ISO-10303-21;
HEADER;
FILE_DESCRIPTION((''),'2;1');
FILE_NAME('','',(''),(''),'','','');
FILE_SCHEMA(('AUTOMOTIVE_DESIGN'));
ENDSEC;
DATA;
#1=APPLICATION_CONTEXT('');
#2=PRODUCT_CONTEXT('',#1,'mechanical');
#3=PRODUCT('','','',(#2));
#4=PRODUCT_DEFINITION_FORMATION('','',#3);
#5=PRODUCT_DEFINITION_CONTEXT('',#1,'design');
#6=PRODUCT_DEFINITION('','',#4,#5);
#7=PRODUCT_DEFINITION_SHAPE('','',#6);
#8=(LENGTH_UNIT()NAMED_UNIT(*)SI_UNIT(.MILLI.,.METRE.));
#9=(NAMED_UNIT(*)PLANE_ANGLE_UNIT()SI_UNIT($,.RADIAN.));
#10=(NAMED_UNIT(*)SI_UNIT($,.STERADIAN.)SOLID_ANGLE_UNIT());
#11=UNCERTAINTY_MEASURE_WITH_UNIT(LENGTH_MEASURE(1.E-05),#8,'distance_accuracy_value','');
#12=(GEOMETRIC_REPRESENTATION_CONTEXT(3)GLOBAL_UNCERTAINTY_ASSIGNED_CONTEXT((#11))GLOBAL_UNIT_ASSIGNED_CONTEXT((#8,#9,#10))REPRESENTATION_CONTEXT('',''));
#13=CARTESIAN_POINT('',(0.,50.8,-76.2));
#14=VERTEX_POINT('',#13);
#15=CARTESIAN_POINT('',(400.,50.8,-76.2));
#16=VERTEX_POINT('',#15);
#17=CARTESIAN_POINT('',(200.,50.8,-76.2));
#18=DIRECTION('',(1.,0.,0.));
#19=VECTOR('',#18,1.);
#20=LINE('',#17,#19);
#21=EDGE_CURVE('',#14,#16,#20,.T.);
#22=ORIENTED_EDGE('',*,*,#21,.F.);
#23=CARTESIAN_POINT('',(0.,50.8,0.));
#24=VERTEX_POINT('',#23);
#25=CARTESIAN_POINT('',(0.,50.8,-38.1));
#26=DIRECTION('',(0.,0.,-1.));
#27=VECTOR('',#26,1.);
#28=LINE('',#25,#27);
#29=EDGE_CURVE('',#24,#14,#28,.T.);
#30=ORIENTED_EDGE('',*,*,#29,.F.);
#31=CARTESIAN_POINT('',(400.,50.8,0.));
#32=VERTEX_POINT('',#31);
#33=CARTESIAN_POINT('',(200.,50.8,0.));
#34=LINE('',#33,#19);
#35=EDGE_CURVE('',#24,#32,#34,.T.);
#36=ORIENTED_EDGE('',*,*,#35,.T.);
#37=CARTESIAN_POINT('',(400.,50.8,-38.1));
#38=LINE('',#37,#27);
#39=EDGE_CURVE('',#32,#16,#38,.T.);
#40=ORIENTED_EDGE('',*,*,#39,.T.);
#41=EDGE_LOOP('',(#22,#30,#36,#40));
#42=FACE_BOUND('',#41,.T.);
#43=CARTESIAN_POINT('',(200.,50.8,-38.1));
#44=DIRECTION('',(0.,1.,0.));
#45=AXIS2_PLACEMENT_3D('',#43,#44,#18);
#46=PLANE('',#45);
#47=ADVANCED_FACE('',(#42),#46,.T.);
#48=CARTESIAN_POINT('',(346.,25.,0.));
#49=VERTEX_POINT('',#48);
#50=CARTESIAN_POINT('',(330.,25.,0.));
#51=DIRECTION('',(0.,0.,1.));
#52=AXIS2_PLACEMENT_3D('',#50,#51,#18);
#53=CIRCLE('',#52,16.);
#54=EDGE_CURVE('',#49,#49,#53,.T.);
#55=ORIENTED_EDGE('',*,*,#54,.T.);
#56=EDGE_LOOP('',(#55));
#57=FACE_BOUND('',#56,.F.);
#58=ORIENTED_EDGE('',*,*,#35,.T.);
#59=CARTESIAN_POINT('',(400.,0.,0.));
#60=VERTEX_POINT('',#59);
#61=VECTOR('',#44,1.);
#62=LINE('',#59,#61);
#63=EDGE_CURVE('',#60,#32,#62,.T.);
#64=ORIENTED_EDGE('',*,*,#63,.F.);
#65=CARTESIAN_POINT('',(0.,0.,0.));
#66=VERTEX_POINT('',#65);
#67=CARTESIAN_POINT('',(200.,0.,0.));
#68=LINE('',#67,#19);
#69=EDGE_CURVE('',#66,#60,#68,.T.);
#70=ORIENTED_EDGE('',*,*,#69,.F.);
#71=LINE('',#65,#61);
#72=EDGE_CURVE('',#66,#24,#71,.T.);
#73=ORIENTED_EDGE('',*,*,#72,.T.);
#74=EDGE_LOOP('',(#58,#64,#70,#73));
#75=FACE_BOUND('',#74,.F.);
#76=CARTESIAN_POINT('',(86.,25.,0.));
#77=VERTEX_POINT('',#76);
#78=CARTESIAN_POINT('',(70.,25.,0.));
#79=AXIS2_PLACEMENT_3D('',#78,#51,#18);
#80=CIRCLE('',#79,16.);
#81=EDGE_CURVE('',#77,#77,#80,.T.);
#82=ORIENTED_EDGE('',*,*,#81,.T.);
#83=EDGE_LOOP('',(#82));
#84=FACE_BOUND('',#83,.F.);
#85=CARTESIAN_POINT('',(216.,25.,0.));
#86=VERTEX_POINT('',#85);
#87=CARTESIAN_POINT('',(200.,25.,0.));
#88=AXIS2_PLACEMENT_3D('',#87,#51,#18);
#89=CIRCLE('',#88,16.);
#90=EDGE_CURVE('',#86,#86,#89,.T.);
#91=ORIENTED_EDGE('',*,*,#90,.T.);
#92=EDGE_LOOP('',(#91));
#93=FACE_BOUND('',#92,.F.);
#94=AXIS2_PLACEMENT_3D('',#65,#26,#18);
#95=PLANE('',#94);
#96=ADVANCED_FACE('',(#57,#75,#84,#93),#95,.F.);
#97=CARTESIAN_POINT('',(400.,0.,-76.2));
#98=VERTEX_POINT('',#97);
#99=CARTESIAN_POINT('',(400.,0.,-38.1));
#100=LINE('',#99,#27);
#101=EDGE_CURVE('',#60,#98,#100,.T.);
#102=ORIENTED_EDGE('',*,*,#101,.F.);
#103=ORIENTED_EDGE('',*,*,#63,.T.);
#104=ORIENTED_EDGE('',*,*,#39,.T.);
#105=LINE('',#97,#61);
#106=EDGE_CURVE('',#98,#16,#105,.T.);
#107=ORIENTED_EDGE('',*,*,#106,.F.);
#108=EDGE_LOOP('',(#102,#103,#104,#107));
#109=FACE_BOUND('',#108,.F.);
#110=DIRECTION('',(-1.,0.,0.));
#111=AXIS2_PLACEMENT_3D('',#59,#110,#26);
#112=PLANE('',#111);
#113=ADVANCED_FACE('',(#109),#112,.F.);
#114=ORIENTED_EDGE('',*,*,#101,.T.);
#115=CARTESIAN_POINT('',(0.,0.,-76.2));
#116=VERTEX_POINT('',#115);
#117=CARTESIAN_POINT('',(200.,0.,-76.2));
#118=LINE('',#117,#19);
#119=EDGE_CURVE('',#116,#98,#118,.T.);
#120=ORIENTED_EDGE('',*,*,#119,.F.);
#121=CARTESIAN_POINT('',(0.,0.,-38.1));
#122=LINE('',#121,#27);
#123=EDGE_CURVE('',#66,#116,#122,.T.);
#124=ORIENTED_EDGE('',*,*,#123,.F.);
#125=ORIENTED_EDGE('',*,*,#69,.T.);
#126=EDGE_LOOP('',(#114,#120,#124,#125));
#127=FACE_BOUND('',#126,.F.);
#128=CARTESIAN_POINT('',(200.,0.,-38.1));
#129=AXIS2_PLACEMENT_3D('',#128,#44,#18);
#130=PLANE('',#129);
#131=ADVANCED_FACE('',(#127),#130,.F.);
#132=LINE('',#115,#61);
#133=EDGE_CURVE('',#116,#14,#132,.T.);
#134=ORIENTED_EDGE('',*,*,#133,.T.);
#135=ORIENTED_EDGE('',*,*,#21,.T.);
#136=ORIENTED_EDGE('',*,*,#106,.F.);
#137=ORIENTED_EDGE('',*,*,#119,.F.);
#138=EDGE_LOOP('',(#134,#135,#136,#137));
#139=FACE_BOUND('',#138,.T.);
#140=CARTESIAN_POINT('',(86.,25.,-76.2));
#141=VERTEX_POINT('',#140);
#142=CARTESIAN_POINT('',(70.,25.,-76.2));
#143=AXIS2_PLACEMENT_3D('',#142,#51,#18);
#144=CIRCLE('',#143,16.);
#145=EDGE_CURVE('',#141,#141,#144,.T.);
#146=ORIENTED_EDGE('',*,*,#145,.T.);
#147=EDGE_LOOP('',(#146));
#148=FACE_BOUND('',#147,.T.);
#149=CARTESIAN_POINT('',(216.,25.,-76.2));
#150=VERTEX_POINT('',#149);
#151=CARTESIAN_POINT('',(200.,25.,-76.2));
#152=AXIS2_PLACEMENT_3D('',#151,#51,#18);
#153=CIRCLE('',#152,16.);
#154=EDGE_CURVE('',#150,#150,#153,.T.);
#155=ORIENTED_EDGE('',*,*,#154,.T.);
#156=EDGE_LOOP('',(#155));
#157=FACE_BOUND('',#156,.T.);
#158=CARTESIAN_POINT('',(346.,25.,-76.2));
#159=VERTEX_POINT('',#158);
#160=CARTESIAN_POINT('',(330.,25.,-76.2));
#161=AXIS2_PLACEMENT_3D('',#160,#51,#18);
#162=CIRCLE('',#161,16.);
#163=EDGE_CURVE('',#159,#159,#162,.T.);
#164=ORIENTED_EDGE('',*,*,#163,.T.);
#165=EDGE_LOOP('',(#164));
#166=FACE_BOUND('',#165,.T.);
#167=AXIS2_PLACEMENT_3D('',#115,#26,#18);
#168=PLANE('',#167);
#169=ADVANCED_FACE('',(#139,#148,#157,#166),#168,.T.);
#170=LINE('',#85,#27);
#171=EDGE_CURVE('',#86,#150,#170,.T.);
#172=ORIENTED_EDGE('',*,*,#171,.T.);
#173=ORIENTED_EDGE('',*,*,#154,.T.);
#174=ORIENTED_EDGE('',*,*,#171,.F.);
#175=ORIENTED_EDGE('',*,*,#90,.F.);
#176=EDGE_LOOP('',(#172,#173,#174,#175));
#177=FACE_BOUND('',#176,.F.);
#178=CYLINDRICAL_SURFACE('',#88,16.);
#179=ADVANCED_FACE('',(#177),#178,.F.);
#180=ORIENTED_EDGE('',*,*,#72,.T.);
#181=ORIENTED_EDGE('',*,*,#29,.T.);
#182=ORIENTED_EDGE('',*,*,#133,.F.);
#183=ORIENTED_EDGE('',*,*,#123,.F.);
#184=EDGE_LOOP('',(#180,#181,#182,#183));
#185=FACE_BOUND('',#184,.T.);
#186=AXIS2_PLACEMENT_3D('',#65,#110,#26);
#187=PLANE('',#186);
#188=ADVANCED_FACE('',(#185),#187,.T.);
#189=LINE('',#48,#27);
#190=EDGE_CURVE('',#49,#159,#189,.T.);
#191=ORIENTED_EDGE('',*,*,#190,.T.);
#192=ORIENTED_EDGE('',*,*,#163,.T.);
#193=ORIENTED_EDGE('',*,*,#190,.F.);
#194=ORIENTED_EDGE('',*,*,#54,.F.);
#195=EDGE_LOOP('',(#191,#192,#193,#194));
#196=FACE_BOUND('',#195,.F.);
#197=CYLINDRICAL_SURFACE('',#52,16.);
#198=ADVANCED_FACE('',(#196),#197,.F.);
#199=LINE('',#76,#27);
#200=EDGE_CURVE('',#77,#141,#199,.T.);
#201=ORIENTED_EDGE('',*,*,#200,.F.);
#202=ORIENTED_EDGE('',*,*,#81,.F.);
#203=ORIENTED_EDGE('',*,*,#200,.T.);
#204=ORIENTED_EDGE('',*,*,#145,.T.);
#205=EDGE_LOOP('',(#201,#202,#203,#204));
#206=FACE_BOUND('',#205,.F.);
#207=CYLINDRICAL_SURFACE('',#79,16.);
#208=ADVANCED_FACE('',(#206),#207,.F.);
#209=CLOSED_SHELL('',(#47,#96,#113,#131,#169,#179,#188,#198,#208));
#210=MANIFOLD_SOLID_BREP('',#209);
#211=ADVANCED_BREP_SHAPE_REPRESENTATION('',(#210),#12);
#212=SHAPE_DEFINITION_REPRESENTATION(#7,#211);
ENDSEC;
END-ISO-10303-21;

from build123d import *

# Parameters (mm, degrees)
SKETCH1_W           = 400
SKETCH1_H           = 76.2
BOSS_EXTRUDE1_DEPTH = 50.8
SKETCH2_R           = 16
CUT_EXTRUDE1_DEPTH  = 76.2


with BuildPart() as part:
    # Sketch1 → Boss-Extrude1 (new body)
    with BuildSketch(Plane(origin=(0, 0, 0), x_dir=(1, 0, 0), z_dir=(0, 1, 0))):
        with Locations((200, 38.1)):
            Rectangle(SKETCH1_W, SKETCH1_H)
    extrude(amount=BOSS_EXTRUDE1_DEPTH)

    # Sketch2 → Cut-Extrude1 (cut)
    with BuildSketch(Plane.XY):
        with Locations((70, 25)):
            Circle(SKETCH2_R)
        with Locations((200, 25)):
            Circle(SKETCH2_R)
        with Locations((330, 25)):
            Circle(SKETCH2_R)
    extrude(amount=-CUT_EXTRUDE1_DEPTH, mode=Mode.SUBTRACT)


solid = part.part
